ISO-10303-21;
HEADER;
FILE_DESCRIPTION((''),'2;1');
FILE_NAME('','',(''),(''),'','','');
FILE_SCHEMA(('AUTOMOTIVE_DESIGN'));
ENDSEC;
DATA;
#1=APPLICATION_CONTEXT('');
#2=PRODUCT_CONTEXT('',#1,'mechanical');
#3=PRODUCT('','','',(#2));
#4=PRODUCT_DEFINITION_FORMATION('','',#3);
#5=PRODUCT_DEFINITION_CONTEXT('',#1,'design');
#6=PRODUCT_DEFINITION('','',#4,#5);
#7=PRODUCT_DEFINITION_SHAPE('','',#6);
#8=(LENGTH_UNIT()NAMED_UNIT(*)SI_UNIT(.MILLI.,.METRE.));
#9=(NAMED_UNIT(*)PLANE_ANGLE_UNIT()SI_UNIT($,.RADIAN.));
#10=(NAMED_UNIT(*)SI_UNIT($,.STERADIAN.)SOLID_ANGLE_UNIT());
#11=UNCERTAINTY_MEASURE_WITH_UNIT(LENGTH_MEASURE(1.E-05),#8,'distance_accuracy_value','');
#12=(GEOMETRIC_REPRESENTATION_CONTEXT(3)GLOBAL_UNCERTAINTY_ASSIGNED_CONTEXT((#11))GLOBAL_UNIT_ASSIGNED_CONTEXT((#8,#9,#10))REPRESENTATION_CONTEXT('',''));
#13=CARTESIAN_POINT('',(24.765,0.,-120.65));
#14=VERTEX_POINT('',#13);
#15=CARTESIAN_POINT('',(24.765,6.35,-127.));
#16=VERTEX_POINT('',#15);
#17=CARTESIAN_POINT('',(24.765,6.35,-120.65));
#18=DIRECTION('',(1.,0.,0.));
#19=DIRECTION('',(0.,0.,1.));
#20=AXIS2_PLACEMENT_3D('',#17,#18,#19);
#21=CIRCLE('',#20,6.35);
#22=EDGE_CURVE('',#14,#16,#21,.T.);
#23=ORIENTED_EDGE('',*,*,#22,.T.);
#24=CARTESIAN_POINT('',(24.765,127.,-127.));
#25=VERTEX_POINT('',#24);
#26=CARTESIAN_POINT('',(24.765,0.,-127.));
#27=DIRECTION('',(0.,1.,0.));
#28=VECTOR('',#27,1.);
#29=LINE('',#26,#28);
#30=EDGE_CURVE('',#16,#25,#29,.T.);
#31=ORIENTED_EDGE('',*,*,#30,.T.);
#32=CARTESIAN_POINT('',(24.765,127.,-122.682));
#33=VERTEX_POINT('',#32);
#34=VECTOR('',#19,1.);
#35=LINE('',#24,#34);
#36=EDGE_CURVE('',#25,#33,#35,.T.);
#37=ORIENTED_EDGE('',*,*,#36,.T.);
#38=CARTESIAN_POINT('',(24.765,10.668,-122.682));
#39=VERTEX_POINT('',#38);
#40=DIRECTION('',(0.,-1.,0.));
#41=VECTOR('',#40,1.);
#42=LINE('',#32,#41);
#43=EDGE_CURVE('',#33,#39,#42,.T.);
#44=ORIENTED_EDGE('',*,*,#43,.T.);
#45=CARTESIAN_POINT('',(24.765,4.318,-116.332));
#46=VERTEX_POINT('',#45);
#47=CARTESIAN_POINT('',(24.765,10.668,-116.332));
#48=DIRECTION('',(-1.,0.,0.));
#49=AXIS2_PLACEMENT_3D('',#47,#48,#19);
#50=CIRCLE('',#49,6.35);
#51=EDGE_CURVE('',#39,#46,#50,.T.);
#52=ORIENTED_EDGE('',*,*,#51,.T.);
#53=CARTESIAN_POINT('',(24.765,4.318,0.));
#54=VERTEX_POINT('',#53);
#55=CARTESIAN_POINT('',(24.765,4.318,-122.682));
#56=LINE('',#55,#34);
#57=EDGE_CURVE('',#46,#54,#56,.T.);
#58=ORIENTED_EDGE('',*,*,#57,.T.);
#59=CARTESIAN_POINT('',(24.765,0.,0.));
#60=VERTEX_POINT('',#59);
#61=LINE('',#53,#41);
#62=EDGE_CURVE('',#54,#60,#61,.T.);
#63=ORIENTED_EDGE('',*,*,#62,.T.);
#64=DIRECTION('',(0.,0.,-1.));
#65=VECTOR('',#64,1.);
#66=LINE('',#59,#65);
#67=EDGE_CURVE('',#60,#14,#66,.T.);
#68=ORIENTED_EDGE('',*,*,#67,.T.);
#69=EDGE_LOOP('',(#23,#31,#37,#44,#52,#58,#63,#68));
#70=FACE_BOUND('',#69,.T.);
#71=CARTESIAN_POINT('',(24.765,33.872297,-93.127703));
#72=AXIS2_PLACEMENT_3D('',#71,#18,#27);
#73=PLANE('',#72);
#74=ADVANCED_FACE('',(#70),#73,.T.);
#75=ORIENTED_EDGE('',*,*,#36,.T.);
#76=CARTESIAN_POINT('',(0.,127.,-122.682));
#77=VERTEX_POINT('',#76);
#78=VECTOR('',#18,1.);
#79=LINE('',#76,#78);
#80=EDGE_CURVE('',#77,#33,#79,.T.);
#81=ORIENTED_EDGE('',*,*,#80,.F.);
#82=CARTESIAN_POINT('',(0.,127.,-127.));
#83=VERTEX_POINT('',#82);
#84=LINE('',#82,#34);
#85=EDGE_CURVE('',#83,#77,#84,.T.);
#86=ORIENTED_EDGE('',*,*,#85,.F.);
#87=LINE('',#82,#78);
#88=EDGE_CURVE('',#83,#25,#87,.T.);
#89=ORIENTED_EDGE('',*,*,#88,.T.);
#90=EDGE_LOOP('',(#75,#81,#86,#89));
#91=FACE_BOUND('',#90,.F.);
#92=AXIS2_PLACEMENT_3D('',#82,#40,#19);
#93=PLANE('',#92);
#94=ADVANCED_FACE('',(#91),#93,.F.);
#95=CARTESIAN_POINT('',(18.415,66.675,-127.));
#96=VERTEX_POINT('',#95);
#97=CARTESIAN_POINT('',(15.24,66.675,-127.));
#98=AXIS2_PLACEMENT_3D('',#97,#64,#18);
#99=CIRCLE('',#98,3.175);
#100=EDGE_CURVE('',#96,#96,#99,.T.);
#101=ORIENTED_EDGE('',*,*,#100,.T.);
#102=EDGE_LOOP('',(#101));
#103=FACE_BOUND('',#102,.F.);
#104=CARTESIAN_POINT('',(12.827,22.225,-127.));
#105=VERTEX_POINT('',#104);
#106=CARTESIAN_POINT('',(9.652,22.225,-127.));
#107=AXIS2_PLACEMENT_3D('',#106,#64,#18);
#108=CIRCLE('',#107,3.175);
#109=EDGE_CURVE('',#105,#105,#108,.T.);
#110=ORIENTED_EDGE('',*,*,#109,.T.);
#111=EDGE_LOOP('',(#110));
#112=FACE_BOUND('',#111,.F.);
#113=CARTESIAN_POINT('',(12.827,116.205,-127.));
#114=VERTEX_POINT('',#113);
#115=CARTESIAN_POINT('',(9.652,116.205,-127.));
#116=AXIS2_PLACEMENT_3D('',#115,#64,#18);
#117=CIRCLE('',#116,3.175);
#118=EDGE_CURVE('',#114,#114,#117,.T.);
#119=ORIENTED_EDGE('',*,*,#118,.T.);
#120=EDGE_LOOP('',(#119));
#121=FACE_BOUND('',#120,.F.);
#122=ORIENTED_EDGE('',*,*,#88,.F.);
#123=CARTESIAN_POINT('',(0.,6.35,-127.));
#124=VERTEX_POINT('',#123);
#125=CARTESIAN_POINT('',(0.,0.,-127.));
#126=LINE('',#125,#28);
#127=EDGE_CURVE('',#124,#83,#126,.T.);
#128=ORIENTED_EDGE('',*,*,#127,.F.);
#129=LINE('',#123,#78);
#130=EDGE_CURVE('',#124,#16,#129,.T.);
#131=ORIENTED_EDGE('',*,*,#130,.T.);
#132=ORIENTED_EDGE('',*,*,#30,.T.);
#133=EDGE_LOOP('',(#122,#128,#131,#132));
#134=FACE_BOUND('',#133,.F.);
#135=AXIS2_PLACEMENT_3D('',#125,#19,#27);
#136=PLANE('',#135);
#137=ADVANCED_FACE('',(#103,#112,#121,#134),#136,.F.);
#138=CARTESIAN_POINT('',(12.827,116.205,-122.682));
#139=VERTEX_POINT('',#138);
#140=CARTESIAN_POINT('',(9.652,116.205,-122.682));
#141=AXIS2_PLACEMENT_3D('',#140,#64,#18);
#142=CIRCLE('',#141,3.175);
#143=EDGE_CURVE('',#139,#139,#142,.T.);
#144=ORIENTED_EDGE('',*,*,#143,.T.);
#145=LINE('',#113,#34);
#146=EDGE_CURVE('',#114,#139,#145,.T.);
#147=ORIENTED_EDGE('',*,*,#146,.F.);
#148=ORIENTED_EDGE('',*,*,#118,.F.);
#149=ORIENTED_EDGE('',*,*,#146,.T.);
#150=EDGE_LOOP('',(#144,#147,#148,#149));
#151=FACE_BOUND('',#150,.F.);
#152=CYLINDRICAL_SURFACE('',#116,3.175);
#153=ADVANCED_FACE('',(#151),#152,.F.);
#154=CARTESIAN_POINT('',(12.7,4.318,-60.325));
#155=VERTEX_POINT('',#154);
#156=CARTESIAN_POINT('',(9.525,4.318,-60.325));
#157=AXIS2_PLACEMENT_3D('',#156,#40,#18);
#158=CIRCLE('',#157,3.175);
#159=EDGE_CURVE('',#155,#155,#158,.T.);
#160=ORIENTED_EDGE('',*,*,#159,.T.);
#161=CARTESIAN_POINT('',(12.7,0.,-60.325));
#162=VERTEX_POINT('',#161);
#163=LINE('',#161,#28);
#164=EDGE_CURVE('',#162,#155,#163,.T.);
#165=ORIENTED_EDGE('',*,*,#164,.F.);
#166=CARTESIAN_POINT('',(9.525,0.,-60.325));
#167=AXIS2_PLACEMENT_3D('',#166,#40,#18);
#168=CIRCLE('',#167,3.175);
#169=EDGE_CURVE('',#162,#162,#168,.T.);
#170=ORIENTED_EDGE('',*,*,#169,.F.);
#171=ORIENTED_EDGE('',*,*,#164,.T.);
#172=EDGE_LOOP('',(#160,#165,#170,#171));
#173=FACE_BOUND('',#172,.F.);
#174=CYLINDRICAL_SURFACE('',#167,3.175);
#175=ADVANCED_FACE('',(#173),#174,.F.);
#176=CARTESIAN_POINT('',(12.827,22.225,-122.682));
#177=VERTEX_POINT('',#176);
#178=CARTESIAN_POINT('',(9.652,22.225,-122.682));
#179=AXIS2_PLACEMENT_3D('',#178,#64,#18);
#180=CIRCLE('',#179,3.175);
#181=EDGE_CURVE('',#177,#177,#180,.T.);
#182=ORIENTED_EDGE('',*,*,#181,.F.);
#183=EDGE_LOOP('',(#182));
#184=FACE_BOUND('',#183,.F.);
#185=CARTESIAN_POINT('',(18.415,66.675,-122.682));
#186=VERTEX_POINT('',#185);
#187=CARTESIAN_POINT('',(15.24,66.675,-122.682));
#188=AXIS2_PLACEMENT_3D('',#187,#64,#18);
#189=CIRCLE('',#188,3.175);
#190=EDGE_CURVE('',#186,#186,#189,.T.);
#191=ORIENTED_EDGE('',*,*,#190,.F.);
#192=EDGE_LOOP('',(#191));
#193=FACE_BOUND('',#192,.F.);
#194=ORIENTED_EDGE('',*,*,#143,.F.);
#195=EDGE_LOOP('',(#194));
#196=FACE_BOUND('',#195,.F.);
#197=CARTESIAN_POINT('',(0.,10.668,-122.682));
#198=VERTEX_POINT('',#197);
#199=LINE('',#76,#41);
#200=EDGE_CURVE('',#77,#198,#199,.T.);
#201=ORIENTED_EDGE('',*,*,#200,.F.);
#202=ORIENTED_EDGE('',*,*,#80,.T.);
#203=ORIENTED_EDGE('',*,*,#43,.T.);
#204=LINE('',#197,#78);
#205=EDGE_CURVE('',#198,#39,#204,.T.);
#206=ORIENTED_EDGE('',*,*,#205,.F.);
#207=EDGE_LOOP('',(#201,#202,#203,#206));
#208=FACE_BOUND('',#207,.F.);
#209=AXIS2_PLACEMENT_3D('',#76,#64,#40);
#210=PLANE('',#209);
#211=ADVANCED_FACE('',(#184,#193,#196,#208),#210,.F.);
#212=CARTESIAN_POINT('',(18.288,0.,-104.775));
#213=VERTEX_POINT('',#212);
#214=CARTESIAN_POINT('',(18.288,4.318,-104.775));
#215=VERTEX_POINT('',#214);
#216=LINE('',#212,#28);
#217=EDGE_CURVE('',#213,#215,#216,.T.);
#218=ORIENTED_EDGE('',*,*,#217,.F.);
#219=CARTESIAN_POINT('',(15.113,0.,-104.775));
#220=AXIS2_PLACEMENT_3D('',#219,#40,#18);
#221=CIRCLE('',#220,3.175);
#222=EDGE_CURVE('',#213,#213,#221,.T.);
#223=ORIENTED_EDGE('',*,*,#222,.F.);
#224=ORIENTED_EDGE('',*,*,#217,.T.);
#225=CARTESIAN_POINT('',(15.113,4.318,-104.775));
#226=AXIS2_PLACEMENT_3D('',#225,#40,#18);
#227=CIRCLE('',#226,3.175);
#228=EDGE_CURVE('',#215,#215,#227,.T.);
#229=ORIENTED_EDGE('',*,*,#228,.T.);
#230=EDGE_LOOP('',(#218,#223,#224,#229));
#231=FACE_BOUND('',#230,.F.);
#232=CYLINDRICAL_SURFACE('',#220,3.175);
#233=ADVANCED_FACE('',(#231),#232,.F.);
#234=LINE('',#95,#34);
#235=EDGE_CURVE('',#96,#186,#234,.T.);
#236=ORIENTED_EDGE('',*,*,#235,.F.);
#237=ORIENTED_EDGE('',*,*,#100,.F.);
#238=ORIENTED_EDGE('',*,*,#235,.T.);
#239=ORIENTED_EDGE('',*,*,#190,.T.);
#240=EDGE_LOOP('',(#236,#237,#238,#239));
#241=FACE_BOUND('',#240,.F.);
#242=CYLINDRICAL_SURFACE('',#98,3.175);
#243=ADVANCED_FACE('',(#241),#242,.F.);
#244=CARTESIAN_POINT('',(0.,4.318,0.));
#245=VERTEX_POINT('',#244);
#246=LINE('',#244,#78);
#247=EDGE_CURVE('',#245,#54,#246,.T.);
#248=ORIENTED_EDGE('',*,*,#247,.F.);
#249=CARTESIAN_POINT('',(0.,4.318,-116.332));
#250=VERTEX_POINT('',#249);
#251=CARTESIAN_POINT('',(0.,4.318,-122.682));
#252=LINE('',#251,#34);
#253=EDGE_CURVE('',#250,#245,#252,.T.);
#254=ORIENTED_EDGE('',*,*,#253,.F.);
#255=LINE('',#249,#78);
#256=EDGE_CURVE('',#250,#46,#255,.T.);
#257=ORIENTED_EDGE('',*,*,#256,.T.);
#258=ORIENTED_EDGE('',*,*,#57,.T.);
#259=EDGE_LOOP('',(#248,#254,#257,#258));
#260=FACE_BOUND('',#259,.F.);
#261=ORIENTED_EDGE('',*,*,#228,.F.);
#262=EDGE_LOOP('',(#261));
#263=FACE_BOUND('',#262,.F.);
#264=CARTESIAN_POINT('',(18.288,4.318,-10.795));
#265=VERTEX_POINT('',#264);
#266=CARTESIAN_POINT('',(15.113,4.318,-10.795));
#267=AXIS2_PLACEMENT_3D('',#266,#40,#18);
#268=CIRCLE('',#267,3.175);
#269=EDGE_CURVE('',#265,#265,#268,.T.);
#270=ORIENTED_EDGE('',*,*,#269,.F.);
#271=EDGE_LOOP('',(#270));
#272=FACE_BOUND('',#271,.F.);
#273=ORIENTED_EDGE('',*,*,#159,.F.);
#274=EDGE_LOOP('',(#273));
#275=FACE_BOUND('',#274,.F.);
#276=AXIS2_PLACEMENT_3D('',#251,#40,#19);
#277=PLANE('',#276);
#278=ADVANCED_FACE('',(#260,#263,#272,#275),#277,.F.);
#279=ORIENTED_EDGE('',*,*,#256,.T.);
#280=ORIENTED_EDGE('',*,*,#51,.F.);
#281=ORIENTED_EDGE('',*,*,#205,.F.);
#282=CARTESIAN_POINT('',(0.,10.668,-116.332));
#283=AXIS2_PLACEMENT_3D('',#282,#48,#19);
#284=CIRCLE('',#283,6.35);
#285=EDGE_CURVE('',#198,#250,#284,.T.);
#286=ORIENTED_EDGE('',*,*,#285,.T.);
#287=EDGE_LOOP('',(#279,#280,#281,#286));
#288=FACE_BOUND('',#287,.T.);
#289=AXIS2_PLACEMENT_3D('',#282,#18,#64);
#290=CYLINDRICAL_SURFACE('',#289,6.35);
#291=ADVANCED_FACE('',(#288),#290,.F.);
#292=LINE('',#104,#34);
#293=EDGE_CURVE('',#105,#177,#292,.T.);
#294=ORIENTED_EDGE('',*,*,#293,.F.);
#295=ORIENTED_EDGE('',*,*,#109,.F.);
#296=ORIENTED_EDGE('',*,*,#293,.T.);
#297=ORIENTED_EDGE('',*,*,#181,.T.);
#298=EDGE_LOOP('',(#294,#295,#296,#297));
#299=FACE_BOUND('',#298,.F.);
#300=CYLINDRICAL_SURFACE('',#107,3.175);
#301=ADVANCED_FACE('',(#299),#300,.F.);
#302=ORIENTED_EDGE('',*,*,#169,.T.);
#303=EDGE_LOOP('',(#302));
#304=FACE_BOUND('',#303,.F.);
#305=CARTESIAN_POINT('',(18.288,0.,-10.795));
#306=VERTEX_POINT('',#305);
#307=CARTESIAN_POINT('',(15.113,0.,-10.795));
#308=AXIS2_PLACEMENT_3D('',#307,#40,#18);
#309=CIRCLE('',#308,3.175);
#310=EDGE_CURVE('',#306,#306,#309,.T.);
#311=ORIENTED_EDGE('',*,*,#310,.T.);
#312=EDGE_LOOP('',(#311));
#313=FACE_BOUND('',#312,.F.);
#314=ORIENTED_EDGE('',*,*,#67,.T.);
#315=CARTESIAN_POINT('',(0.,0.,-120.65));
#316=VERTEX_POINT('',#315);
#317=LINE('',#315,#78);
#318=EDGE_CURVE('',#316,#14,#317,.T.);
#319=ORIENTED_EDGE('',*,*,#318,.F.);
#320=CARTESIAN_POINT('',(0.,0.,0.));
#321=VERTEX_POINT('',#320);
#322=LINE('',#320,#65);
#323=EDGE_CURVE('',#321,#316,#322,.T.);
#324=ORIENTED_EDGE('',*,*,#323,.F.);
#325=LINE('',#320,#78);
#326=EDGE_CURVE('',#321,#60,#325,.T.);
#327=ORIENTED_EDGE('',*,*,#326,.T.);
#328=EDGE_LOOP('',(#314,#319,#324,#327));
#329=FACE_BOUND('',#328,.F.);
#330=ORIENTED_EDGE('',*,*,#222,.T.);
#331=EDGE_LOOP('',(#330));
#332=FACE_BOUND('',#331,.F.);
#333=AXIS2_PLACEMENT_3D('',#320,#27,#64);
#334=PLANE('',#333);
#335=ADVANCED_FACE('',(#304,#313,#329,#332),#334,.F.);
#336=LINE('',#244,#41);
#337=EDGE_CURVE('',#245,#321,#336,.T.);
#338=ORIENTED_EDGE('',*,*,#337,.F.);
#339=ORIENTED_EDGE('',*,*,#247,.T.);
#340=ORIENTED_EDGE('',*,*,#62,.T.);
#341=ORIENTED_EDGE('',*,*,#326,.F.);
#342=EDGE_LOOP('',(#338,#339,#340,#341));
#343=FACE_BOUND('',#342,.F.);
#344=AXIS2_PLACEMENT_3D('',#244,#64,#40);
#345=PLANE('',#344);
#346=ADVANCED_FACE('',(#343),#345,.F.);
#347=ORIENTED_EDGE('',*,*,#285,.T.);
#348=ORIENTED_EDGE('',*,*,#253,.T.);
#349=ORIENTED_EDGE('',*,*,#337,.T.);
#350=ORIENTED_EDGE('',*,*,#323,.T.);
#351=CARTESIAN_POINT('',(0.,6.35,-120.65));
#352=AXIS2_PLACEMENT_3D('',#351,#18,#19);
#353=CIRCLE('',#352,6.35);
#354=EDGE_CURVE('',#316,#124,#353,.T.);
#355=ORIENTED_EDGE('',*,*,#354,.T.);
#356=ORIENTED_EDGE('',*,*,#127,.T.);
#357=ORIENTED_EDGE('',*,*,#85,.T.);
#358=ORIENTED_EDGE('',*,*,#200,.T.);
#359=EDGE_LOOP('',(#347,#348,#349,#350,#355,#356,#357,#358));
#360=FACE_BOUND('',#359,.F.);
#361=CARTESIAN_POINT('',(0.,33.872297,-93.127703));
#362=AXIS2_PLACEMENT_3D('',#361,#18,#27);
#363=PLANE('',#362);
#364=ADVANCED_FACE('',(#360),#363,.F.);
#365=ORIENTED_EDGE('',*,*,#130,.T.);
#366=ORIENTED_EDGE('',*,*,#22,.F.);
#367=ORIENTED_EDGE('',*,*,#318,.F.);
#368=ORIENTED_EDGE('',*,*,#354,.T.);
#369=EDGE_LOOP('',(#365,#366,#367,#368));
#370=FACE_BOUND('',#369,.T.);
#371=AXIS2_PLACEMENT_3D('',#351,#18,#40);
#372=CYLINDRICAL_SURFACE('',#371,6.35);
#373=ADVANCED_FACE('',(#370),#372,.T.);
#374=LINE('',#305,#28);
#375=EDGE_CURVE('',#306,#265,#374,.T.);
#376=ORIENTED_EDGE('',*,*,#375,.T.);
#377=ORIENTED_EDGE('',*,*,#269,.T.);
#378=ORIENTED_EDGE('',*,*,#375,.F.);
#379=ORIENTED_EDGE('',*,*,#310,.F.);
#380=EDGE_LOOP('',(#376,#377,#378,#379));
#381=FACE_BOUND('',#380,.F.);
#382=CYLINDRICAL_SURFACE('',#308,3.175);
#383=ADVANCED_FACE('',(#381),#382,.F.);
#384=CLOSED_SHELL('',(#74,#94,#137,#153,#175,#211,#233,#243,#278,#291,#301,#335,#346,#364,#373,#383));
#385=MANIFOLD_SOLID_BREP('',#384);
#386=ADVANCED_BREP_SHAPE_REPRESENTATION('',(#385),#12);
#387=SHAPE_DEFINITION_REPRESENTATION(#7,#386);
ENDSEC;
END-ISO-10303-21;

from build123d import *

# Parameters (mm, degrees)
F1_DEPTH = 24.765
F2_R     = 6.35
F3_R     = 3.175
F4_DEPTH = 127.001
F5_R     = 3.175
F6_DEPTH = 127.001


with BuildPart() as f1:
    # F0 (on Right) → F1 (new body)
    with BuildSketch(Plane.YZ):
        Polygon((4.318, 0), (0, 0), (0, -127), (127, -127), (127, -122.682), (4.318, -122.682), align=None)
    extrude(amount=F1_DEPTH)

    # F2
    f2_edges = [f1.edges().sort_by_distance(p)[0] for p in [
        (12.3825, 4.318, -122.682),
        (12.3825, 0, -127),
    ]]
    fillet(f2_edges, radius=F2_R)

    # F3 (on face) → F4 (cut, through all)
    with BuildSketch(Plane.XZ):
        with Locations((15.113, -104.775)):
            Circle(F3_R)
        with Locations((9.525, -60.325)):
            Circle(F3_R)
        with Locations((15.113, -10.795)):
            Circle(F3_R)
    extrude(amount=-F4_DEPTH, mode=Mode.SUBTRACT)

    # F5 (on face) → F6 (cut, through all)
    with BuildSketch(Plane(origin=(0, 0, -127), x_dir=(1, 0, 0), z_dir=(0, 0, -1))):
        with Locations((9.652, -116.205)):
            Circle(F5_R)
        with Locations((15.24, -66.675)):
            Circle(F5_R)
        with Locations((9.652, -22.225)):
            Circle(F5_R)
    extrude(amount=-F6_DEPTH, mode=Mode.SUBTRACT)


solid = f1.part
